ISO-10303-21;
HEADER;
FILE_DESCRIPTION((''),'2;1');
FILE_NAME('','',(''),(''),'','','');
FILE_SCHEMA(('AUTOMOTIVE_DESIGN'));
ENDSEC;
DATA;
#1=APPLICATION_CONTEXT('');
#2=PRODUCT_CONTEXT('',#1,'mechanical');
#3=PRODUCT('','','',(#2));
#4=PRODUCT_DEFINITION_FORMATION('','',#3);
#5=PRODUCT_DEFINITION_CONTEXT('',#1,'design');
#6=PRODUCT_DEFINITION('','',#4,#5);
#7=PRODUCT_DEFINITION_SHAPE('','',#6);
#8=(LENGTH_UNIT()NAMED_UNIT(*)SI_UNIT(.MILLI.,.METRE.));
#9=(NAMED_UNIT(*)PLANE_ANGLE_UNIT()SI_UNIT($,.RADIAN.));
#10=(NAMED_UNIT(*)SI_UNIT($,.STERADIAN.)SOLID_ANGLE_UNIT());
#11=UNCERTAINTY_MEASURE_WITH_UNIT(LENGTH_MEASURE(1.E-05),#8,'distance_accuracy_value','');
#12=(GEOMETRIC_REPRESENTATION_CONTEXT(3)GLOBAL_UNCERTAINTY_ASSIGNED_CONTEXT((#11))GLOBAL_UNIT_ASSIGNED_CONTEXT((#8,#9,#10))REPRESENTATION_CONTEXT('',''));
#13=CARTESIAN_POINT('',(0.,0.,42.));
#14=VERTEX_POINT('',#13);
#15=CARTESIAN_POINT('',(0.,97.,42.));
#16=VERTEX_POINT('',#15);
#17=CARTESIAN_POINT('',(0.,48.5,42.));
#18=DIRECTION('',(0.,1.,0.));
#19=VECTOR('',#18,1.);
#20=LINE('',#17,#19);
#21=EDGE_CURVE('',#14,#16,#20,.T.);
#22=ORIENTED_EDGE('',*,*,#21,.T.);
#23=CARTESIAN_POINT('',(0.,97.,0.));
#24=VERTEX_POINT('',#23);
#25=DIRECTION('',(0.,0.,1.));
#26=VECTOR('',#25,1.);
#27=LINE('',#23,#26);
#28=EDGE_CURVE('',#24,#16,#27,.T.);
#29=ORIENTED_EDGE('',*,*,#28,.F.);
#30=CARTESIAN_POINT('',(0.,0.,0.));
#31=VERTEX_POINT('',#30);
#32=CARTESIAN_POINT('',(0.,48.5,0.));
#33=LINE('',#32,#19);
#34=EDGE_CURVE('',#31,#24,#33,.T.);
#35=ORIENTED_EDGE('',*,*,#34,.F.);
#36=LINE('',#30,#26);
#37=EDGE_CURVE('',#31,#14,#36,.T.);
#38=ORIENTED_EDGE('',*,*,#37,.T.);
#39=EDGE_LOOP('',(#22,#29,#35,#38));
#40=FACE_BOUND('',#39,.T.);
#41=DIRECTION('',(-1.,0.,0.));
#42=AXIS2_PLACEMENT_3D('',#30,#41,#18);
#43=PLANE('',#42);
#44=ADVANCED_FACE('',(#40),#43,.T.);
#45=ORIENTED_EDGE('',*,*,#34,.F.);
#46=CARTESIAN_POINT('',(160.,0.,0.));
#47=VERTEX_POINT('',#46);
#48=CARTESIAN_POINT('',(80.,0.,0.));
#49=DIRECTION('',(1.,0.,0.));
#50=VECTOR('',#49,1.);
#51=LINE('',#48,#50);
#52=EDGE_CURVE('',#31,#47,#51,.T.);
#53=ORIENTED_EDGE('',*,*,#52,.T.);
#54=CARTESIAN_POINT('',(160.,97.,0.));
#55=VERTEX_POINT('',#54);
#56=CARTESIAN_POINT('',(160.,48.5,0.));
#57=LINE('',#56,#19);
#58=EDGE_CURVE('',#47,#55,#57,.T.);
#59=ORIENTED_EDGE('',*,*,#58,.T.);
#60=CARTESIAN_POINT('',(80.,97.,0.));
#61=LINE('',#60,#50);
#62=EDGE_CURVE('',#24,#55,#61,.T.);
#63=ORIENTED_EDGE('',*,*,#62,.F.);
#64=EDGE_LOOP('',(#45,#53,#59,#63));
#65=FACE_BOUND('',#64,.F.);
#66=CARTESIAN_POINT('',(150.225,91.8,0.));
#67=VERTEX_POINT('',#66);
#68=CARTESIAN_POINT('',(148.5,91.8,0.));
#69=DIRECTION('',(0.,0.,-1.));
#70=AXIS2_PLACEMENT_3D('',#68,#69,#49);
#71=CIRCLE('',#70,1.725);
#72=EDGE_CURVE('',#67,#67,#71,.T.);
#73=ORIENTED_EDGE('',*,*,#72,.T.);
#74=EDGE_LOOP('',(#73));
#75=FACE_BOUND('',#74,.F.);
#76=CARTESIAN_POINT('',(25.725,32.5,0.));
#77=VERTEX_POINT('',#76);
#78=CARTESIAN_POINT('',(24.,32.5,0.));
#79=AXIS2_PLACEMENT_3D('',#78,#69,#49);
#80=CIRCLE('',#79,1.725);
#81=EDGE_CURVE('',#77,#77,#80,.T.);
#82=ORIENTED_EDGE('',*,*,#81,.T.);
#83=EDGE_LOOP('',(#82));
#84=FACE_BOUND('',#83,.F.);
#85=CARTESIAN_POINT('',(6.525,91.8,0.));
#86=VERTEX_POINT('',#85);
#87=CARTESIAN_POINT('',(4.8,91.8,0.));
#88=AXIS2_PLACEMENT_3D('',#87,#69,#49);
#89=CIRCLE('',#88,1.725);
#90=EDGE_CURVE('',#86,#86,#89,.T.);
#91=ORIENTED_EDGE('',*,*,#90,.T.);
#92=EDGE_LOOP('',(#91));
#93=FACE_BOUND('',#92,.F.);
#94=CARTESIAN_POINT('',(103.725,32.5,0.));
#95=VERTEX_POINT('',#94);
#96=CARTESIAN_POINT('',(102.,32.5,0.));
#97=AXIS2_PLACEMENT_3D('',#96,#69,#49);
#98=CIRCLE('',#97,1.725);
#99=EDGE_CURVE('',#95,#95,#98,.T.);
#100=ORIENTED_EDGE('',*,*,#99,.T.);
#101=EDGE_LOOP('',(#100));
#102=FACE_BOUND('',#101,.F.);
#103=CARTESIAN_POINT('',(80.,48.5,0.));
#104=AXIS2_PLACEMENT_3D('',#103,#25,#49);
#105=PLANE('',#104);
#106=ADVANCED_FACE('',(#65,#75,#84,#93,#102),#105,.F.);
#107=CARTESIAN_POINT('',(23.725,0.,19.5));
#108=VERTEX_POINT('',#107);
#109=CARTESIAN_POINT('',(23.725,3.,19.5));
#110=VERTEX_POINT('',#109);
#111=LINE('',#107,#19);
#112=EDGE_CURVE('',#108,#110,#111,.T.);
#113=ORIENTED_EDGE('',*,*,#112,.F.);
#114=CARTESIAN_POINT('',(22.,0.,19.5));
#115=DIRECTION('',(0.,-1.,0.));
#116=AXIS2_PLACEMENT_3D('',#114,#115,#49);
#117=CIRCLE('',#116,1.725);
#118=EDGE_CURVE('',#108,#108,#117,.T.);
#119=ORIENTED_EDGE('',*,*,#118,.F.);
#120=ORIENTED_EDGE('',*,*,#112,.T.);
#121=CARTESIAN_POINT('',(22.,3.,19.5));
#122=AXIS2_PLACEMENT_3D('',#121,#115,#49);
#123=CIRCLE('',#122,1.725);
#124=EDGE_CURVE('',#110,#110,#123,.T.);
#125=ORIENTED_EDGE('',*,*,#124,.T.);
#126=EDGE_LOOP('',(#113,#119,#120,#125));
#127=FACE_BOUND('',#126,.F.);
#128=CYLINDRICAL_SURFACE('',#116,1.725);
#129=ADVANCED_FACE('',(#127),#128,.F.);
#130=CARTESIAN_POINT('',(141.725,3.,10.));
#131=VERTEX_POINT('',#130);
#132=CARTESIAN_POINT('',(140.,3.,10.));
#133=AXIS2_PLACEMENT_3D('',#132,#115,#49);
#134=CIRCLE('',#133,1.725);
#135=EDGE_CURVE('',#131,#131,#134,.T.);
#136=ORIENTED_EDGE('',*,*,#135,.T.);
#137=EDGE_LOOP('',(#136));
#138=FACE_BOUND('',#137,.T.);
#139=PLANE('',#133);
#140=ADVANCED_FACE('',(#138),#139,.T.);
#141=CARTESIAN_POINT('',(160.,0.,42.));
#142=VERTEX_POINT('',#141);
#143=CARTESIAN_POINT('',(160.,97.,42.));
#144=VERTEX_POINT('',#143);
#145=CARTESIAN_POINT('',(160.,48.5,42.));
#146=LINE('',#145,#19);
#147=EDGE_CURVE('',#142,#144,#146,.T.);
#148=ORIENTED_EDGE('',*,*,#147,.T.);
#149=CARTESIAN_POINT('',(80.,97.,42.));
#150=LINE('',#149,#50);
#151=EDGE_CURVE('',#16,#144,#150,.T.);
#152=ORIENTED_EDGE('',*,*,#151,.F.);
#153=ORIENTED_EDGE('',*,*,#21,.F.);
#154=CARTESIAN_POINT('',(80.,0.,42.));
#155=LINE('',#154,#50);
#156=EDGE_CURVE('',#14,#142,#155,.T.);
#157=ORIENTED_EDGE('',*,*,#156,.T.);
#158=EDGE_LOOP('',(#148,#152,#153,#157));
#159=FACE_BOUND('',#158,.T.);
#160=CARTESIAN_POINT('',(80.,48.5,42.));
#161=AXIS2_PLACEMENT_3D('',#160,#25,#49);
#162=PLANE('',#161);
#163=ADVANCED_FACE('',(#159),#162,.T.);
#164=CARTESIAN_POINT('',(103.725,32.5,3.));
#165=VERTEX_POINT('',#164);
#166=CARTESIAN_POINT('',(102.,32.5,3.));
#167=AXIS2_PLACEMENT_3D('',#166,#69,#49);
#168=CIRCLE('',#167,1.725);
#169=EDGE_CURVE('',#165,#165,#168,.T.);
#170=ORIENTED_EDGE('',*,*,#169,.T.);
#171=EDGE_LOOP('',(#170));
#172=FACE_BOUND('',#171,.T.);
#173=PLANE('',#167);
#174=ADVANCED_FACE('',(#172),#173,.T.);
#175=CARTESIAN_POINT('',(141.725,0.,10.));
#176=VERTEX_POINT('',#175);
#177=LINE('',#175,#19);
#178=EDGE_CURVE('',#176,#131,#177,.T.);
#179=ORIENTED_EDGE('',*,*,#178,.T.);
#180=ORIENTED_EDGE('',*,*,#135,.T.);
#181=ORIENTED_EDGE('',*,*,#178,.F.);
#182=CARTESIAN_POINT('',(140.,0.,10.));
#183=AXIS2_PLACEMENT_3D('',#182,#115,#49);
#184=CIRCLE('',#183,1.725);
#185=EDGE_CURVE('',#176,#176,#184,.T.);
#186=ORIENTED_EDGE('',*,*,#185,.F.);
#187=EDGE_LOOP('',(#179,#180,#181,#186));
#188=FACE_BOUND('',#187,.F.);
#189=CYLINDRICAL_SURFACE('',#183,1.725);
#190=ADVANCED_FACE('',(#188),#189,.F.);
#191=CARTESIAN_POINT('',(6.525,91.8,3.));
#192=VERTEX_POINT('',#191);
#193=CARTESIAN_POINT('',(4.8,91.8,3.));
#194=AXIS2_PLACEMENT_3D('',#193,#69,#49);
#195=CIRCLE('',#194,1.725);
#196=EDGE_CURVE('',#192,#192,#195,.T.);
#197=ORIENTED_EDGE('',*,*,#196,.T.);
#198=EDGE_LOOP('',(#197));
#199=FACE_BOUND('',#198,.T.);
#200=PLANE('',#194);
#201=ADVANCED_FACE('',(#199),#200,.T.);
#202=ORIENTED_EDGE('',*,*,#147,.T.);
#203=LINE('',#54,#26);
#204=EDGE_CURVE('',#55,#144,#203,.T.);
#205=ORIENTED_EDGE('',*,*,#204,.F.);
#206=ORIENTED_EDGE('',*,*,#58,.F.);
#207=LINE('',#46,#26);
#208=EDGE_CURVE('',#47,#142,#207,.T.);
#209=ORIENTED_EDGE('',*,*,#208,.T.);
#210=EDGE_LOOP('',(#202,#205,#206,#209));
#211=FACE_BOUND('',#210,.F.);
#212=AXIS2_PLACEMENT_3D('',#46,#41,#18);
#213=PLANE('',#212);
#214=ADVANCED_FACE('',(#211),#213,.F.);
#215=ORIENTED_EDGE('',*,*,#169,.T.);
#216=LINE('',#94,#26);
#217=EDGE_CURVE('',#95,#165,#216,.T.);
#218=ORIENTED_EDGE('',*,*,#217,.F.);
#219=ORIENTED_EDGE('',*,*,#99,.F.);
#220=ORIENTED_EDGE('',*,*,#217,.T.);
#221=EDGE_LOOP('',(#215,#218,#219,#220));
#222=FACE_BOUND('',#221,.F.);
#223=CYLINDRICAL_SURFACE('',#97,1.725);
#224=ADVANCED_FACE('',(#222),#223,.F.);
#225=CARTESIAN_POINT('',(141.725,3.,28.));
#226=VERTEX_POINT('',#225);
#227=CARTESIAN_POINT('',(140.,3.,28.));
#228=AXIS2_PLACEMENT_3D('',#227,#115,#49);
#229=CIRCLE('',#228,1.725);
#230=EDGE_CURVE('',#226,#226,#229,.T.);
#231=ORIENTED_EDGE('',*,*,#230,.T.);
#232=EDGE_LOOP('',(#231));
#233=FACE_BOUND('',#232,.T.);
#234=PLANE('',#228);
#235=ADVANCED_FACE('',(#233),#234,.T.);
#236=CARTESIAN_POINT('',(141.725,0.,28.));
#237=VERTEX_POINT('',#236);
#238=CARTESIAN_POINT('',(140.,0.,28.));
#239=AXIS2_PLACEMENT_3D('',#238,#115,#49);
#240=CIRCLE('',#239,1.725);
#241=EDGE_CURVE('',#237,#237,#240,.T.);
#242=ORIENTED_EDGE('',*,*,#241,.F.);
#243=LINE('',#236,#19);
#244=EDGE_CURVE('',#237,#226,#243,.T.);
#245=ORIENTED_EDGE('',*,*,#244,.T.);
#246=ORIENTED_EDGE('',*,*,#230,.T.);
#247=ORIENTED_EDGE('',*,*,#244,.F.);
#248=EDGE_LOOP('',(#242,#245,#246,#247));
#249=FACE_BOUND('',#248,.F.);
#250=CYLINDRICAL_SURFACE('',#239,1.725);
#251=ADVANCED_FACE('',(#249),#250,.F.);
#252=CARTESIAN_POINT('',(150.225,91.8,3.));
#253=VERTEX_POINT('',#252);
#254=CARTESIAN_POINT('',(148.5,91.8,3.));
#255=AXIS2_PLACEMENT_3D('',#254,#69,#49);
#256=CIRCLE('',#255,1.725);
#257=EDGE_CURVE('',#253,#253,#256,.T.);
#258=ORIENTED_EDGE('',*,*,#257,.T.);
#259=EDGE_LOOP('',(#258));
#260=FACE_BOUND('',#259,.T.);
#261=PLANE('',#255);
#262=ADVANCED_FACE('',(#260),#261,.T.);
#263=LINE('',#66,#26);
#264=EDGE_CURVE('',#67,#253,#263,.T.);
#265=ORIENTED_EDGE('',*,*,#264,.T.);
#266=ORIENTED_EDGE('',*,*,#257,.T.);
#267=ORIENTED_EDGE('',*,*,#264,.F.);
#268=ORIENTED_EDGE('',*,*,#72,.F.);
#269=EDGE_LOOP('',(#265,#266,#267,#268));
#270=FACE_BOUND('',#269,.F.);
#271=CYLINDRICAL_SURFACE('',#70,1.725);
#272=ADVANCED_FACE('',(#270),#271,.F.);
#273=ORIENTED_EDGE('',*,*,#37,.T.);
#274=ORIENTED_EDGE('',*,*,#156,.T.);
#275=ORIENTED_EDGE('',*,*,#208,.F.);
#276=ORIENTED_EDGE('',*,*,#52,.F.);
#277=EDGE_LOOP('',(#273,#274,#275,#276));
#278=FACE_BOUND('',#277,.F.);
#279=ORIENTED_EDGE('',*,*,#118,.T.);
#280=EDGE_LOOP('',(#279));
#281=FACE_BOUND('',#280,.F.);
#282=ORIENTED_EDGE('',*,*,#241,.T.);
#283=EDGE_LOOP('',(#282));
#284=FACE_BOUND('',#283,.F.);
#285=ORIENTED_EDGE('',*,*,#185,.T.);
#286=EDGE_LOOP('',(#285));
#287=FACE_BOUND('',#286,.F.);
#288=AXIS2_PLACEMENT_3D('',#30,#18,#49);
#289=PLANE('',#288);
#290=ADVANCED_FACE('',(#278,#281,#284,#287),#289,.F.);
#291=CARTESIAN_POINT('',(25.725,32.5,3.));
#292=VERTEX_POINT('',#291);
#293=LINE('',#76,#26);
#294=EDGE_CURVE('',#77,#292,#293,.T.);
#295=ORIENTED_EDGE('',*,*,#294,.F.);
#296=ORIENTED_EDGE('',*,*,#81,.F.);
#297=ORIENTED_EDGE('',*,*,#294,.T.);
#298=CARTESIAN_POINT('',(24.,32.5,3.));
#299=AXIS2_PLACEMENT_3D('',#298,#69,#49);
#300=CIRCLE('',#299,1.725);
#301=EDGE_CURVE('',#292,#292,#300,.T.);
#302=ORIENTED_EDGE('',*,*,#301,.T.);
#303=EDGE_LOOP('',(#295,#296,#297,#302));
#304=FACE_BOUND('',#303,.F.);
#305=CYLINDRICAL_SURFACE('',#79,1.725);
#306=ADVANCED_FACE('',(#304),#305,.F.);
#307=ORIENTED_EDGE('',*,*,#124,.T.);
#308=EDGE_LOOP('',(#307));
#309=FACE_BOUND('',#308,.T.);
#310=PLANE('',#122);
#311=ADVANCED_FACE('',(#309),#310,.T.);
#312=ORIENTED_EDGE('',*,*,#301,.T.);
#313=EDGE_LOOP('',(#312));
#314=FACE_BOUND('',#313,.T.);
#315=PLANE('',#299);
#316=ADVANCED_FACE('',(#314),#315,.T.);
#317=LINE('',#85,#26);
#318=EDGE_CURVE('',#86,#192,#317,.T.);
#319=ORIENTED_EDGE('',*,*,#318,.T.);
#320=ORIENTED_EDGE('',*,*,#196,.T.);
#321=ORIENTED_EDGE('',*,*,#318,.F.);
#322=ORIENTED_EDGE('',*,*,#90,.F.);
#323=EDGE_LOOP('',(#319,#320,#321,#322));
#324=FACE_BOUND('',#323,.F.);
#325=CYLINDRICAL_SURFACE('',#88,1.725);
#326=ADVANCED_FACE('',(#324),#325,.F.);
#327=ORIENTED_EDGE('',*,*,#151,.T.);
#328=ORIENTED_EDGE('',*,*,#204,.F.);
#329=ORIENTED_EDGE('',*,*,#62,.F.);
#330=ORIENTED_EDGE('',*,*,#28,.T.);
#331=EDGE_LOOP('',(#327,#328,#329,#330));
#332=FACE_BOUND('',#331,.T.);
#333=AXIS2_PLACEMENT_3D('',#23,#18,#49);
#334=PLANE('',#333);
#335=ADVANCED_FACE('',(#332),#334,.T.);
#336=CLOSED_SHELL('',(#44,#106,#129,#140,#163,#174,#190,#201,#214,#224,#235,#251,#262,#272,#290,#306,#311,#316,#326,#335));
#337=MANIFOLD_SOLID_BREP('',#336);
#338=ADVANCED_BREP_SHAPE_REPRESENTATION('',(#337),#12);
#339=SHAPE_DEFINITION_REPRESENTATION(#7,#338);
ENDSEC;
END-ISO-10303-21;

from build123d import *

# Parameters (mm, degrees)
F0_W     = 160
F0_H     = 97
F1_DEPTH = 42
F2_R     = 1.725
F3_DEPTH = 3
F4_R     = 1.725
F5_DEPTH = 3


with BuildPart() as f1:
    # F0 (on Top) → F1 (new body)
    with BuildSketch(Plane.XY):
        with Locations((80, 48.5)):
            Rectangle(F0_W, F0_H)
    extrude(amount=F1_DEPTH)

    # F2 (on face) → F3 (cut)
    with BuildSketch(Plane.XZ):
        with Locations((140, 10)):
            Circle(F2_R)
        with Locations((140, 28)):
            Circle(F2_R)
        with Locations((22, 19.5)):
            Circle(F2_R)
    extrude(amount=-F3_DEPTH, mode=Mode.SUBTRACT)

    # F4 (on face) → F5 (cut)
    with BuildSketch(Plane(origin=(0, 0, 0), x_dir=(1, 0, 0), z_dir=(0, 0, -1))):
        with Locations((4.8, -91.8)):
            Circle(F4_R)
        with Locations((24, -32.5)):
            Circle(F4_R)
        with Locations((148.5, -91.8)):
            Circle(F4_R)
        with Locations((102, -32.5)):
            Circle(F4_R)
    extrude(amount=-F5_DEPTH, mode=Mode.SUBTRACT)


solid = f1.part
